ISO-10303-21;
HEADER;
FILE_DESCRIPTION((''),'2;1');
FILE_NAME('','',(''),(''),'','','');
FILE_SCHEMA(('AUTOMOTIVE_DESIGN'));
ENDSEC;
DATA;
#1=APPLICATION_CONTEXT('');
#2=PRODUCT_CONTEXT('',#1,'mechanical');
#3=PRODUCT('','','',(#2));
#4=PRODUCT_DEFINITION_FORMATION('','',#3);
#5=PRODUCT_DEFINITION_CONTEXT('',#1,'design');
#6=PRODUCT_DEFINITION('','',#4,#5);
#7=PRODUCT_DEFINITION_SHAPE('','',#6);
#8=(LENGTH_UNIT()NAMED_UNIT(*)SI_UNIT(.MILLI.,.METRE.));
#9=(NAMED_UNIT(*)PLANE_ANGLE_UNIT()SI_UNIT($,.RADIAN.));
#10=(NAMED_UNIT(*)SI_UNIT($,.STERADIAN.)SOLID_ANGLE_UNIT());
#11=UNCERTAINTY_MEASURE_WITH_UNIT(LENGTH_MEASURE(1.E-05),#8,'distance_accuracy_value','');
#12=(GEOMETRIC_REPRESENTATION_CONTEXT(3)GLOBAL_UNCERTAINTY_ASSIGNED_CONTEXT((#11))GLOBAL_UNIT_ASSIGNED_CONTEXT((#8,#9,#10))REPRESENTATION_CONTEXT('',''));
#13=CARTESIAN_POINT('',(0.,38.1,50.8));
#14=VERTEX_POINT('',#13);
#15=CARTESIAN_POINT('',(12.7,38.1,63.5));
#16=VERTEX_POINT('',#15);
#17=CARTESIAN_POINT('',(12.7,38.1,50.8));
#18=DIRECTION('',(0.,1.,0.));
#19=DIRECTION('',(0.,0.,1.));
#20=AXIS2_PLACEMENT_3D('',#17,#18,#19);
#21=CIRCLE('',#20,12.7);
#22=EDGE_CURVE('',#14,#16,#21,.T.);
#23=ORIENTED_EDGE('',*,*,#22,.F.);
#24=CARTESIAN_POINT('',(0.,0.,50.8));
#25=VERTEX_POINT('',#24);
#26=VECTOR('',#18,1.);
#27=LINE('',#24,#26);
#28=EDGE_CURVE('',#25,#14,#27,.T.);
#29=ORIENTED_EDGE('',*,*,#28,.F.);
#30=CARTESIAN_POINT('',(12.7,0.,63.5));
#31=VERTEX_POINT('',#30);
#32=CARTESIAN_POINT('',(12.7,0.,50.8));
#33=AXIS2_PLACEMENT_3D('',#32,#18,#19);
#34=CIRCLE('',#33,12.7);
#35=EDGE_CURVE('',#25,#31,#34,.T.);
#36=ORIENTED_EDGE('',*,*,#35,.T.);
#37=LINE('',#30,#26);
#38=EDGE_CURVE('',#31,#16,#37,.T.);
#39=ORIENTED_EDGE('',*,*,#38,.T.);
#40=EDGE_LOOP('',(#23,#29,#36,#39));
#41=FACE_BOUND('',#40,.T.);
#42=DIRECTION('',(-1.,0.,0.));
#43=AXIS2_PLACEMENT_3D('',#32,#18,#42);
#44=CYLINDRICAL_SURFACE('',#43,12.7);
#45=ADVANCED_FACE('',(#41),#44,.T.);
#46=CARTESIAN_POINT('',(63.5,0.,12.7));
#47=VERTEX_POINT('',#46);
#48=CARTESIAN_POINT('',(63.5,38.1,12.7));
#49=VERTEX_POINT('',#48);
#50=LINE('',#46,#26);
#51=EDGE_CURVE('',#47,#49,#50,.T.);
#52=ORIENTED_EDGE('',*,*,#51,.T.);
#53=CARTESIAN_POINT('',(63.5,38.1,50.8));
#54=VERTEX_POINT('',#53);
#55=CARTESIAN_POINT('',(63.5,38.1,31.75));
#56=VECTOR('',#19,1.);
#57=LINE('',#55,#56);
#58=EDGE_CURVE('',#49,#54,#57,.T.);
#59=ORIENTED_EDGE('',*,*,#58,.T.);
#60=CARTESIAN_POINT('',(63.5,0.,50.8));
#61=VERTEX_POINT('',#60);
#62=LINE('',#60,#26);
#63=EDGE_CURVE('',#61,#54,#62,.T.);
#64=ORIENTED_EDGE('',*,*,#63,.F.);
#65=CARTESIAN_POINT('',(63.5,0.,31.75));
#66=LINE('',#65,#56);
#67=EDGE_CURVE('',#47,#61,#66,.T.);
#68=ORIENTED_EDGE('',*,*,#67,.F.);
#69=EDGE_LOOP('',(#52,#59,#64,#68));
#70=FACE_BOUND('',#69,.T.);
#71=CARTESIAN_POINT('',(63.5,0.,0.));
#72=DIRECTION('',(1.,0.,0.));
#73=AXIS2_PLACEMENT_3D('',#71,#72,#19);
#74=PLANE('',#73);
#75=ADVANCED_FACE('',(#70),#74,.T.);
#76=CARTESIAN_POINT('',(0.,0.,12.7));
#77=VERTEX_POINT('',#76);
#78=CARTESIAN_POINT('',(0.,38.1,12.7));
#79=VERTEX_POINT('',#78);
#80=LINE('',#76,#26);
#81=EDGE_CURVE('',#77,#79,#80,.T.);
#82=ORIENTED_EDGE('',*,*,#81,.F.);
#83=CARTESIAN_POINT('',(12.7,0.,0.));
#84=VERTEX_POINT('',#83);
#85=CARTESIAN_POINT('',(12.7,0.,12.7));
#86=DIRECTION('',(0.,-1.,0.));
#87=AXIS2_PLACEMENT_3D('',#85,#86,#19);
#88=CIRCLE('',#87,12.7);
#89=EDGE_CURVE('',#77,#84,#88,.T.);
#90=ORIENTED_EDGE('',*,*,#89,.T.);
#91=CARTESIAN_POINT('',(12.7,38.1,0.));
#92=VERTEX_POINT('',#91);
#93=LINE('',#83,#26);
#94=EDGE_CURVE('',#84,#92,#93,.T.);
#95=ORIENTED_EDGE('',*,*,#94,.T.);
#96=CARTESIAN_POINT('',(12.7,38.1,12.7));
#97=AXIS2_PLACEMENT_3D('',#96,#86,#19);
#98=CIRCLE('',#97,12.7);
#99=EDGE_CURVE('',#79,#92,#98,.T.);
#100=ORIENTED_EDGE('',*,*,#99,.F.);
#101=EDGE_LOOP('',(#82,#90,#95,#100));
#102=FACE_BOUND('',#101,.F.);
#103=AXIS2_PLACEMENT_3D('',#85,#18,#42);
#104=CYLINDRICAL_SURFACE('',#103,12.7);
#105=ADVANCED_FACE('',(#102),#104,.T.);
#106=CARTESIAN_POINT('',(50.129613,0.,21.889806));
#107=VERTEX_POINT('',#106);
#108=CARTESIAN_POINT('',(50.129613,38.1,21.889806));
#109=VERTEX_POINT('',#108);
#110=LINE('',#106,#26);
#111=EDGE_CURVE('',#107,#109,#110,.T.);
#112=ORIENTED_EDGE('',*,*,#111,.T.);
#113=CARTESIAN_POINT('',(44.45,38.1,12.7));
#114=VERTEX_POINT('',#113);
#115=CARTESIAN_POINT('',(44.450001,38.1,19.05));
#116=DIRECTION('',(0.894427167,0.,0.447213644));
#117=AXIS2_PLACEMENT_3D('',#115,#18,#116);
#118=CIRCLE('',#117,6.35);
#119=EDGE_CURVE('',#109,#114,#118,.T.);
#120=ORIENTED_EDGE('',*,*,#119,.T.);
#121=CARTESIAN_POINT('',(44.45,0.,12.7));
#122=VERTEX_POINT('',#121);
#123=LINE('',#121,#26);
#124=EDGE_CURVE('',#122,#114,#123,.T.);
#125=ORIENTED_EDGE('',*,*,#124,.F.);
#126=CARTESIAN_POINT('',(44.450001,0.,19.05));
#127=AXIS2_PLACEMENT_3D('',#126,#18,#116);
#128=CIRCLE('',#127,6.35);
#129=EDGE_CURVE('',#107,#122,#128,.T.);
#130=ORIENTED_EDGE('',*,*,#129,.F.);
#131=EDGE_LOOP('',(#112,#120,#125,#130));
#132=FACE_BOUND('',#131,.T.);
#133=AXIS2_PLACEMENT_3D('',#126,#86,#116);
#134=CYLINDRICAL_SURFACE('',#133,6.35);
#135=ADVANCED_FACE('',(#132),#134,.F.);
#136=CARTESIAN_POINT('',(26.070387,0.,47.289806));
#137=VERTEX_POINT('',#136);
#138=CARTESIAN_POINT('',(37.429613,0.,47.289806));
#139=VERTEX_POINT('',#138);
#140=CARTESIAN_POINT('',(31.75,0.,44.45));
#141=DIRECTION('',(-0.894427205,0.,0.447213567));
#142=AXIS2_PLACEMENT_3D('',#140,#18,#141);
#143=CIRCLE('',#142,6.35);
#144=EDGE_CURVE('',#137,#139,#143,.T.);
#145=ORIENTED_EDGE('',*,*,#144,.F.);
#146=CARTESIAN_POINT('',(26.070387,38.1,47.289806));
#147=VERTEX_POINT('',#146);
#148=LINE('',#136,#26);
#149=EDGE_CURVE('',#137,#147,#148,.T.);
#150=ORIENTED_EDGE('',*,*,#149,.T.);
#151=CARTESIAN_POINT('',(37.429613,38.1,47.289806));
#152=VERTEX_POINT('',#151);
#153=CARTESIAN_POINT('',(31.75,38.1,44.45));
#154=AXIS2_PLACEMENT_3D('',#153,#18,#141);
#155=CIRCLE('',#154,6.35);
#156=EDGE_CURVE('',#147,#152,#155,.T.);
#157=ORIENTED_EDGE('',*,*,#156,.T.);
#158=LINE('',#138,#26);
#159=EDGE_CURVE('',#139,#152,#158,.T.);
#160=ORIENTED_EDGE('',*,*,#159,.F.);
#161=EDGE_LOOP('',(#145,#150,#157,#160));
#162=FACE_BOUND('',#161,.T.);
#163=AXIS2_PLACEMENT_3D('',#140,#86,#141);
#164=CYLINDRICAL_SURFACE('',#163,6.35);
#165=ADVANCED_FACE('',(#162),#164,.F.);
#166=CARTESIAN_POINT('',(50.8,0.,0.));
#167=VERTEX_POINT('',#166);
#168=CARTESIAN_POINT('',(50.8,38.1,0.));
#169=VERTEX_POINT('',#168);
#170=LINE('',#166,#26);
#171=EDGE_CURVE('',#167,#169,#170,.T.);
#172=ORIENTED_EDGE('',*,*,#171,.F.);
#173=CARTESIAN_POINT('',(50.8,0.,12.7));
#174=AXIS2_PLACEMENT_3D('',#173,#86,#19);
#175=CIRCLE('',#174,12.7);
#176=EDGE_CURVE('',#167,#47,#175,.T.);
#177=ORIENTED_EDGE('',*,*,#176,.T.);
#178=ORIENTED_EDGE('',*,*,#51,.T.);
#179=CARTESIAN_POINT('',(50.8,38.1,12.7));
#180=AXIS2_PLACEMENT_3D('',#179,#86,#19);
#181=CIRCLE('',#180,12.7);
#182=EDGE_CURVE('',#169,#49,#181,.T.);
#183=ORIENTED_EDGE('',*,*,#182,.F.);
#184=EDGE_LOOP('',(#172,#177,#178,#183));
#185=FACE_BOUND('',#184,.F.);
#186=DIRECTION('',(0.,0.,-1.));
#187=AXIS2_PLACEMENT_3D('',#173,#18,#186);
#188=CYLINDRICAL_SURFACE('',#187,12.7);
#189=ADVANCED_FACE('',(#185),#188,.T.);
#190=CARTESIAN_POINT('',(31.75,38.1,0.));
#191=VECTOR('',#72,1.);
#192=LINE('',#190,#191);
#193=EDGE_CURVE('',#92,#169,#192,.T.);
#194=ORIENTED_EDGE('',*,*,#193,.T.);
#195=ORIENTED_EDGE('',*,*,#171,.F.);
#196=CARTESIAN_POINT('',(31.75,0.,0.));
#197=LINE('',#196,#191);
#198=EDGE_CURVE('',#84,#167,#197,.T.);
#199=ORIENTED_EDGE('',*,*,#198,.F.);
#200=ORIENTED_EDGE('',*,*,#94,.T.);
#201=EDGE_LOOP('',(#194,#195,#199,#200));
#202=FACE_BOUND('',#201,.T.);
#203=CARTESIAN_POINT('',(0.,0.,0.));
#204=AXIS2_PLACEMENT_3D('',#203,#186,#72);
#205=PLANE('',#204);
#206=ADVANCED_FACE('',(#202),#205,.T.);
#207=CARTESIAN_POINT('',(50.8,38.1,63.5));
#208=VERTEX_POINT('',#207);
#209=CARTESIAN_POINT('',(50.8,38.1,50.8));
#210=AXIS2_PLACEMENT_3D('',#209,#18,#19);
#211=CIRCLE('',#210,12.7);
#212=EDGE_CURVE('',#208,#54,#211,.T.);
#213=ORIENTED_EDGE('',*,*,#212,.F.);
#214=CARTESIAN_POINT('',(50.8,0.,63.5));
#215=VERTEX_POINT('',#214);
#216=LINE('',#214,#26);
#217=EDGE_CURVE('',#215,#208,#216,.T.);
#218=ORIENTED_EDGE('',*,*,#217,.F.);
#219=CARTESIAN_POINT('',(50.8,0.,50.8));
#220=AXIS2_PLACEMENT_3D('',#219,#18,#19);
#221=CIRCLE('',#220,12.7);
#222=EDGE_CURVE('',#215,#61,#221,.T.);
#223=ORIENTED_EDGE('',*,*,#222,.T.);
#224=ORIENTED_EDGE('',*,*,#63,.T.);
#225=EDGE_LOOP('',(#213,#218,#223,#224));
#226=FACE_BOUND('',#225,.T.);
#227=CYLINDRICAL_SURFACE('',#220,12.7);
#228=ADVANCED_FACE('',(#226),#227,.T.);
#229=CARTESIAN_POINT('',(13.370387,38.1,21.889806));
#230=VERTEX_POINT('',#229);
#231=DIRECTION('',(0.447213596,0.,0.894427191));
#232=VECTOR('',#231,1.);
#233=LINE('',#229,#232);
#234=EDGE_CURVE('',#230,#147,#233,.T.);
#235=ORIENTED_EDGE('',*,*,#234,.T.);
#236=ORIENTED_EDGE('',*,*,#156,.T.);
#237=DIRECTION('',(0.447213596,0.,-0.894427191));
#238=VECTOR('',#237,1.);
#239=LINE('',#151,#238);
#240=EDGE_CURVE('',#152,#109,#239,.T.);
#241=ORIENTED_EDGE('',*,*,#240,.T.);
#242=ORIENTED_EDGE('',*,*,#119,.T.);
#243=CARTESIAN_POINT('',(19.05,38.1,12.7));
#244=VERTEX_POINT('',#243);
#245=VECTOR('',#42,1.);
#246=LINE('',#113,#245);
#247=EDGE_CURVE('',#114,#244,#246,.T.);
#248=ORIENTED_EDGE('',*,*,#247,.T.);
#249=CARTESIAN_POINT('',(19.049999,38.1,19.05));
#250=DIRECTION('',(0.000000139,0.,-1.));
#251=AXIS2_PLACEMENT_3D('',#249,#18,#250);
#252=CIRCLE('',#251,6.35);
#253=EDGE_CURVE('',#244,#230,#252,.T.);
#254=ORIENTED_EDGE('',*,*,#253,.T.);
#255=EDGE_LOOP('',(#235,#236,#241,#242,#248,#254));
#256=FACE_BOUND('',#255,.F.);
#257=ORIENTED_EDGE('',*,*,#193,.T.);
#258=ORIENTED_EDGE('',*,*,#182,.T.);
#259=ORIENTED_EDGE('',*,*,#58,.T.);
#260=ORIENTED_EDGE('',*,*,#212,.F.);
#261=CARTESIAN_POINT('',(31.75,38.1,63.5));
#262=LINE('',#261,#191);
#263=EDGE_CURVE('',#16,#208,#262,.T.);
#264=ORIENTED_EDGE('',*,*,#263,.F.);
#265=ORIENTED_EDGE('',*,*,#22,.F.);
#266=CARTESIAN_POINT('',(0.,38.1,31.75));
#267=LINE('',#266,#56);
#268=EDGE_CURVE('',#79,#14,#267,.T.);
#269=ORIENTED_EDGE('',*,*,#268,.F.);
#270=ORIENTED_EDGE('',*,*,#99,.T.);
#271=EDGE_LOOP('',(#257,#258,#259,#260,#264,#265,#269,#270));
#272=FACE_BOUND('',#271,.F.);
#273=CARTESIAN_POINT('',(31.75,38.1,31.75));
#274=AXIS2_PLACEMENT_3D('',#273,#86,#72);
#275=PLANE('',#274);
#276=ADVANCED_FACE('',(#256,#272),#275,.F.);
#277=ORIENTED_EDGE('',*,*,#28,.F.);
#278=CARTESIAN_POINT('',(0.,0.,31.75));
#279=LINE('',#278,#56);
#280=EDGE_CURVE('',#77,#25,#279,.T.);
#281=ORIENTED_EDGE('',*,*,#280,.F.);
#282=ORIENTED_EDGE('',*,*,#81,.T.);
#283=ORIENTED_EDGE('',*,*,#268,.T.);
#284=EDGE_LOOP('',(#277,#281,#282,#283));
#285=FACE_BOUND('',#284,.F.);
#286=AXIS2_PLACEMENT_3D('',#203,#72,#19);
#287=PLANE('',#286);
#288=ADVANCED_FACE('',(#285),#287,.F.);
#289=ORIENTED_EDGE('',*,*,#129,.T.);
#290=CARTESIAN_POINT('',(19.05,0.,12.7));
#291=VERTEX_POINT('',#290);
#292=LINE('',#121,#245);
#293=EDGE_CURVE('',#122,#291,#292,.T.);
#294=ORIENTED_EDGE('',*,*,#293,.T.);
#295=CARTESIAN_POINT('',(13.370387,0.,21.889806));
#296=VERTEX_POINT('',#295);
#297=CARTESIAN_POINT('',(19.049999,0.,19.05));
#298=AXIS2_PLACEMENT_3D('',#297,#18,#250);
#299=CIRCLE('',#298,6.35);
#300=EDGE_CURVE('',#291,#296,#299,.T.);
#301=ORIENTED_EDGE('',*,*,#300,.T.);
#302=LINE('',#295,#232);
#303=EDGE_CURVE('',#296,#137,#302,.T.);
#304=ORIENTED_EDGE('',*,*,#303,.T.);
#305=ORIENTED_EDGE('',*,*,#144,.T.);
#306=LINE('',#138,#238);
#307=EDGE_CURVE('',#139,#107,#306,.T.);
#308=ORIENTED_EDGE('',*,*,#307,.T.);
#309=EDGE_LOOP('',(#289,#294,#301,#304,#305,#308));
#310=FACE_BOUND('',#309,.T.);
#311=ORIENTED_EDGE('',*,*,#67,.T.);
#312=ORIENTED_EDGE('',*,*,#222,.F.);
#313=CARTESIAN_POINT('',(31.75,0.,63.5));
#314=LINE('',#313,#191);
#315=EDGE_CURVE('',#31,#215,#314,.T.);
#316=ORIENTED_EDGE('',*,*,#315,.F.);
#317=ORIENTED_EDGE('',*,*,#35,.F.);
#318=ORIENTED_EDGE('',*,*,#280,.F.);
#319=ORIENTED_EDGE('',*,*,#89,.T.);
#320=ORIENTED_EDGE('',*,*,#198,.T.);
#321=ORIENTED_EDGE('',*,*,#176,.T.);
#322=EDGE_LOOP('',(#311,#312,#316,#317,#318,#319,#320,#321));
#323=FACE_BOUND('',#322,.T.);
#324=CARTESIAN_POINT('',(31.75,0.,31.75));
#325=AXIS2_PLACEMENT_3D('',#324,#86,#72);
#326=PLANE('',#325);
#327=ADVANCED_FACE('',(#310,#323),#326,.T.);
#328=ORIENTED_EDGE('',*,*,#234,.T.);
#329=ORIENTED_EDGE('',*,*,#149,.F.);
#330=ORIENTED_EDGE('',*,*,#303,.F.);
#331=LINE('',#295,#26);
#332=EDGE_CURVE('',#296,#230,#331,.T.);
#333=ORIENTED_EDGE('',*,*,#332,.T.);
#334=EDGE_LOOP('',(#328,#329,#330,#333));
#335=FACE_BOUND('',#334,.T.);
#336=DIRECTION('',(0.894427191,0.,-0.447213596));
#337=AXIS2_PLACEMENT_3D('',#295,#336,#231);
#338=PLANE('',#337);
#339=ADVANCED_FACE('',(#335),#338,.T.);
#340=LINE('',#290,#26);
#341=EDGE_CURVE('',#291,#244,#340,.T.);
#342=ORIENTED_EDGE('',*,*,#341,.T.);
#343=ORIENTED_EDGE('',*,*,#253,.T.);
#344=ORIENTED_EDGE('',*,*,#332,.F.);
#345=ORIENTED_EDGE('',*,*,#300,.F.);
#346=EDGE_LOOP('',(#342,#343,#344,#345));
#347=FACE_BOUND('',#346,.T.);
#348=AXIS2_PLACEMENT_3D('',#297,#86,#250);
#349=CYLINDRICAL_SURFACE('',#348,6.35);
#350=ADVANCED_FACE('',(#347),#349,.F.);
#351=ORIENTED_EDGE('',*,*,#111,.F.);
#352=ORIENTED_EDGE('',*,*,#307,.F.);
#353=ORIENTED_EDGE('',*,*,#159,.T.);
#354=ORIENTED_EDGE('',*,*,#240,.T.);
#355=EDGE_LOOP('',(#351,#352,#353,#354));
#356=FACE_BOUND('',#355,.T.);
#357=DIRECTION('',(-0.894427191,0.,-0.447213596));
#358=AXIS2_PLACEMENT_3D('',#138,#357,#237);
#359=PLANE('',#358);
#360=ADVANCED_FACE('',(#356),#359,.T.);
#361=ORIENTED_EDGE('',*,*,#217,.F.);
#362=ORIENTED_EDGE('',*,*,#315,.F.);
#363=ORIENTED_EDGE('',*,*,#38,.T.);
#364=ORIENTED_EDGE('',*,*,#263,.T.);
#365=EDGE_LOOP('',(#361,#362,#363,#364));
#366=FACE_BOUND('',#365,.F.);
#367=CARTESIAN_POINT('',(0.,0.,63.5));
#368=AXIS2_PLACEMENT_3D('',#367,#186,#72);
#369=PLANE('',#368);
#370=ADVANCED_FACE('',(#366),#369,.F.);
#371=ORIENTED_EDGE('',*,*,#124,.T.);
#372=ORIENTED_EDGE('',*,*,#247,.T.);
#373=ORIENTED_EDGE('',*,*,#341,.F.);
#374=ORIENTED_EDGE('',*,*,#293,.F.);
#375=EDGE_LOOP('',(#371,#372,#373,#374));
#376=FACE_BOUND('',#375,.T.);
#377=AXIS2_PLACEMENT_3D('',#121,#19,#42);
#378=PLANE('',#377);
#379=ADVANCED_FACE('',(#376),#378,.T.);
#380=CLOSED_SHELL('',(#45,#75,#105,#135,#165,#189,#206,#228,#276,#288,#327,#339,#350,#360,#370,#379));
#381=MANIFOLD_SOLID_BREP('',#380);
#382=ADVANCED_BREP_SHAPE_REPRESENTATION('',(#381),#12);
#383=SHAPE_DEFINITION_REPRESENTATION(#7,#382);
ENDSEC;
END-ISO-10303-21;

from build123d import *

# Parameters (mm, degrees)
F0_W     = 63.5
F0_H     = 63.5
F1_DEPTH = 38.1
F2_R     = 12.7


with BuildPart() as f1:
    # F0 (on Front) → F1 (new body)
    with BuildSketch(Plane.XZ):
        with Locations((31.75, 31.75)):
            Rectangle(F0_W, F0_H)
        with BuildLine():
            ThreePointArc((19.05, 12.7), (13.648367, 15.711607), (13.370387, 21.889806))
            Line((13.370387, 21.889806), (26.070387, 47.289806))
            ThreePointArc((26.070387, 47.289806), (31.75, 50.8), (37.429613, 47.289806))
            Line((37.429613, 47.289806), (50.129613, 21.889806))
            ThreePointArc((50.129613, 21.889806), (49.851633, 15.711607), (44.45, 12.7))
            Line((44.45, 12.7), (19.05, 12.7))
        make_face(mode=Mode.SUBTRACT)
    extrude(amount=-F1_DEPTH)

    # F2
    f2_edges = [f1.edges().sort_by_distance(p)[0] for p in [
        (0, 19.05, 63.5),
        (63.5, 19.05, 63.5),
        (0, 19.05, 0),
        (63.5, 19.05, 0),
    ]]
    fillet(f2_edges, radius=F2_R)


solid = f1.part
